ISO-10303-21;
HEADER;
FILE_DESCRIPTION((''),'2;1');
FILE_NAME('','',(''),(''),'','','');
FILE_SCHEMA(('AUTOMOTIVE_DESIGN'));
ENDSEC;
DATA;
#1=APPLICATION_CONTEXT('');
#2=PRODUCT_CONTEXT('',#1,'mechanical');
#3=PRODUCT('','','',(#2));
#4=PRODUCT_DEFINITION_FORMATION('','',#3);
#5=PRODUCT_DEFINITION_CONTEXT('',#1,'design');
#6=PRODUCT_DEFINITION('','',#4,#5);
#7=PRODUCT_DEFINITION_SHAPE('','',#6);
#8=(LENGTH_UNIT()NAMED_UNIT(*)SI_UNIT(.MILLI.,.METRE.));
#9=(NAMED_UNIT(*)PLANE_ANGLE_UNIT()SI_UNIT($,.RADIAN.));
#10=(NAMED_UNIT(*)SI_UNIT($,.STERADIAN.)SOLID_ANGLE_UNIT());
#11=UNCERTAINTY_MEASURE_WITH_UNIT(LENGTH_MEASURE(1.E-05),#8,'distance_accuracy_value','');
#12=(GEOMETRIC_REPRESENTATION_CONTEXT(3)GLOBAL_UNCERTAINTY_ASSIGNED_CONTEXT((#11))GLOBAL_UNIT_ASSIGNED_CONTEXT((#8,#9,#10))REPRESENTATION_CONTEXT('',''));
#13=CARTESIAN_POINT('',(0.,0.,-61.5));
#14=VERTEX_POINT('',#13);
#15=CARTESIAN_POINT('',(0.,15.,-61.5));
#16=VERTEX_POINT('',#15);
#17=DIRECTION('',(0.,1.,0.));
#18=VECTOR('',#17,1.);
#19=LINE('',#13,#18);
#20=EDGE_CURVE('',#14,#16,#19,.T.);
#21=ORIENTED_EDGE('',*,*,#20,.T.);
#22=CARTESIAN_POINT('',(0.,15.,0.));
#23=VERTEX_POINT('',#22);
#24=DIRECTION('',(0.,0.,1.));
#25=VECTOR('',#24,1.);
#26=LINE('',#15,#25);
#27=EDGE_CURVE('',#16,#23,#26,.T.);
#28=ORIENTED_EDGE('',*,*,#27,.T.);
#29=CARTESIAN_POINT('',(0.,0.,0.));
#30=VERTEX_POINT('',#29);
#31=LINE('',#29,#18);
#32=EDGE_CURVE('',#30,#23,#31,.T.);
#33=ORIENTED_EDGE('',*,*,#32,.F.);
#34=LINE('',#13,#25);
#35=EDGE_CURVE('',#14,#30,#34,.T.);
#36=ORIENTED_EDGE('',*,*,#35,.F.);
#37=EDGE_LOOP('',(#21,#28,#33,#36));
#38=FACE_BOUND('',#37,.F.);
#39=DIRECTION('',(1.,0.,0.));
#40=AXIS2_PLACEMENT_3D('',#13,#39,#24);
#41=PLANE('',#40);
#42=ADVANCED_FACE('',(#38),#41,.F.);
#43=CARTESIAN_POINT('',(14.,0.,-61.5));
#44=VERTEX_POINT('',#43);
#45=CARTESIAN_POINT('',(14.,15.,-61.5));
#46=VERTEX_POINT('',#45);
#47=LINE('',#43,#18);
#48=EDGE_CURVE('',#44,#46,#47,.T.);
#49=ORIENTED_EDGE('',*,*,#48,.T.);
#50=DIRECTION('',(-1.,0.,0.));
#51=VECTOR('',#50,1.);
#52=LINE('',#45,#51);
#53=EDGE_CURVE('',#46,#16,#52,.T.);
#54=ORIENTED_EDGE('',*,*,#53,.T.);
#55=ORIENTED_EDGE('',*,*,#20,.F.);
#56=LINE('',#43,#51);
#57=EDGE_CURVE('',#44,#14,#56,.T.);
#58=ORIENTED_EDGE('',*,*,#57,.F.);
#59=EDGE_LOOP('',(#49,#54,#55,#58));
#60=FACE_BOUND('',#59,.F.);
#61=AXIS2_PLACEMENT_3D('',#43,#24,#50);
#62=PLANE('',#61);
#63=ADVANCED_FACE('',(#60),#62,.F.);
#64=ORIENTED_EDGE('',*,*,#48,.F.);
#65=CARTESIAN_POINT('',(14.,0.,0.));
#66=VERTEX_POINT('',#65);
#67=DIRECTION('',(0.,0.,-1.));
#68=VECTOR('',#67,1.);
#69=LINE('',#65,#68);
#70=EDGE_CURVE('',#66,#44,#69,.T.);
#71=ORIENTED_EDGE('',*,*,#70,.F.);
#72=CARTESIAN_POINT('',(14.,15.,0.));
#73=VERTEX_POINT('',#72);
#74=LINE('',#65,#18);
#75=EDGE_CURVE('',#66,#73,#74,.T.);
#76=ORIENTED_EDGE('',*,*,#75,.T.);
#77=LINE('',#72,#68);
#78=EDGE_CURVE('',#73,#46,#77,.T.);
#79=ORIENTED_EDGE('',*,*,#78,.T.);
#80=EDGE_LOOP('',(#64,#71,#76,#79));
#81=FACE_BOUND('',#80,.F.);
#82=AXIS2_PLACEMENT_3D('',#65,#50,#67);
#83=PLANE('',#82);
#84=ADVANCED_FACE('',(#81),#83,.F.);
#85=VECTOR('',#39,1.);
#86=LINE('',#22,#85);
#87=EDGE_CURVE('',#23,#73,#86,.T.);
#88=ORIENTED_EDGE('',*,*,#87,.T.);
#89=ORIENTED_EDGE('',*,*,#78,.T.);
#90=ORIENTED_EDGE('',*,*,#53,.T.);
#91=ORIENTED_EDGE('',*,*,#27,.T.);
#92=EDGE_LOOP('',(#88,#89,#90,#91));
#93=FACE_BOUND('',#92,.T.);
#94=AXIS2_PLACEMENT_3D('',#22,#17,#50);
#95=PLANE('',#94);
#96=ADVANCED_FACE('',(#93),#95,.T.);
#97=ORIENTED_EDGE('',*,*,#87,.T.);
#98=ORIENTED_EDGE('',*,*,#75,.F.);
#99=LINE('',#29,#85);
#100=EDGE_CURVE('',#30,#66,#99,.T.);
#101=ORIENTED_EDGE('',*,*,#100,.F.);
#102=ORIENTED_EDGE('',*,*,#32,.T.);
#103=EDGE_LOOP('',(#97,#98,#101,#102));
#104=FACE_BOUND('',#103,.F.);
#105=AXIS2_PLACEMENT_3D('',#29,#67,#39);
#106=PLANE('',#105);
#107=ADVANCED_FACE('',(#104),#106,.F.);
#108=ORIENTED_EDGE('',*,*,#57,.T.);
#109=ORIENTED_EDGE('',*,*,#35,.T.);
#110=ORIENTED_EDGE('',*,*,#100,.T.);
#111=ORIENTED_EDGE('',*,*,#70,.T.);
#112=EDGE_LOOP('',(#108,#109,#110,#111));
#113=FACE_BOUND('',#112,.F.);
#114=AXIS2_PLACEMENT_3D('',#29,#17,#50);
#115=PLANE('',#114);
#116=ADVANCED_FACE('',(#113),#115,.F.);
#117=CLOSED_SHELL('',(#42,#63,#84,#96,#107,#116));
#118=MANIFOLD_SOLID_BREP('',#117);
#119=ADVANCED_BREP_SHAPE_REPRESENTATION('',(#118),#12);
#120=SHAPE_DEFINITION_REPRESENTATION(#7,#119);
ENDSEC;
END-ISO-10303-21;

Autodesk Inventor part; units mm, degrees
ref_plane "YZ Plane" through (0, 0, 0) normal (1, 0, 0) x (0, 1, 0)
ref_plane "XZ Plane" through (0, 0, 0) normal (0, 1, 0) x (-1, 0, 0)
ref_plane "XY Plane" through (0, 0, 0) normal (0, 0, 1) x (1, 0, 0)
sketch "Sketch1" plane through (0, 0, 0) normal (0, 1, 0) x (-1, 0, 0)
  line L0 (0, 0) -> (-14, 0)
  line L1 (-14, 0) -> (-14, -61.5)
  line L2 (-14, -61.5) -> (0, -61.5)
  line L3 (0, -61.5) -> (0, 0)
  dimension "d0" = 14
  dimension "d1" = 61.5
extrude "Extrusion1" add sketch "Sketch1" along normal blind 15
properties part number "lipo2s450mah"
